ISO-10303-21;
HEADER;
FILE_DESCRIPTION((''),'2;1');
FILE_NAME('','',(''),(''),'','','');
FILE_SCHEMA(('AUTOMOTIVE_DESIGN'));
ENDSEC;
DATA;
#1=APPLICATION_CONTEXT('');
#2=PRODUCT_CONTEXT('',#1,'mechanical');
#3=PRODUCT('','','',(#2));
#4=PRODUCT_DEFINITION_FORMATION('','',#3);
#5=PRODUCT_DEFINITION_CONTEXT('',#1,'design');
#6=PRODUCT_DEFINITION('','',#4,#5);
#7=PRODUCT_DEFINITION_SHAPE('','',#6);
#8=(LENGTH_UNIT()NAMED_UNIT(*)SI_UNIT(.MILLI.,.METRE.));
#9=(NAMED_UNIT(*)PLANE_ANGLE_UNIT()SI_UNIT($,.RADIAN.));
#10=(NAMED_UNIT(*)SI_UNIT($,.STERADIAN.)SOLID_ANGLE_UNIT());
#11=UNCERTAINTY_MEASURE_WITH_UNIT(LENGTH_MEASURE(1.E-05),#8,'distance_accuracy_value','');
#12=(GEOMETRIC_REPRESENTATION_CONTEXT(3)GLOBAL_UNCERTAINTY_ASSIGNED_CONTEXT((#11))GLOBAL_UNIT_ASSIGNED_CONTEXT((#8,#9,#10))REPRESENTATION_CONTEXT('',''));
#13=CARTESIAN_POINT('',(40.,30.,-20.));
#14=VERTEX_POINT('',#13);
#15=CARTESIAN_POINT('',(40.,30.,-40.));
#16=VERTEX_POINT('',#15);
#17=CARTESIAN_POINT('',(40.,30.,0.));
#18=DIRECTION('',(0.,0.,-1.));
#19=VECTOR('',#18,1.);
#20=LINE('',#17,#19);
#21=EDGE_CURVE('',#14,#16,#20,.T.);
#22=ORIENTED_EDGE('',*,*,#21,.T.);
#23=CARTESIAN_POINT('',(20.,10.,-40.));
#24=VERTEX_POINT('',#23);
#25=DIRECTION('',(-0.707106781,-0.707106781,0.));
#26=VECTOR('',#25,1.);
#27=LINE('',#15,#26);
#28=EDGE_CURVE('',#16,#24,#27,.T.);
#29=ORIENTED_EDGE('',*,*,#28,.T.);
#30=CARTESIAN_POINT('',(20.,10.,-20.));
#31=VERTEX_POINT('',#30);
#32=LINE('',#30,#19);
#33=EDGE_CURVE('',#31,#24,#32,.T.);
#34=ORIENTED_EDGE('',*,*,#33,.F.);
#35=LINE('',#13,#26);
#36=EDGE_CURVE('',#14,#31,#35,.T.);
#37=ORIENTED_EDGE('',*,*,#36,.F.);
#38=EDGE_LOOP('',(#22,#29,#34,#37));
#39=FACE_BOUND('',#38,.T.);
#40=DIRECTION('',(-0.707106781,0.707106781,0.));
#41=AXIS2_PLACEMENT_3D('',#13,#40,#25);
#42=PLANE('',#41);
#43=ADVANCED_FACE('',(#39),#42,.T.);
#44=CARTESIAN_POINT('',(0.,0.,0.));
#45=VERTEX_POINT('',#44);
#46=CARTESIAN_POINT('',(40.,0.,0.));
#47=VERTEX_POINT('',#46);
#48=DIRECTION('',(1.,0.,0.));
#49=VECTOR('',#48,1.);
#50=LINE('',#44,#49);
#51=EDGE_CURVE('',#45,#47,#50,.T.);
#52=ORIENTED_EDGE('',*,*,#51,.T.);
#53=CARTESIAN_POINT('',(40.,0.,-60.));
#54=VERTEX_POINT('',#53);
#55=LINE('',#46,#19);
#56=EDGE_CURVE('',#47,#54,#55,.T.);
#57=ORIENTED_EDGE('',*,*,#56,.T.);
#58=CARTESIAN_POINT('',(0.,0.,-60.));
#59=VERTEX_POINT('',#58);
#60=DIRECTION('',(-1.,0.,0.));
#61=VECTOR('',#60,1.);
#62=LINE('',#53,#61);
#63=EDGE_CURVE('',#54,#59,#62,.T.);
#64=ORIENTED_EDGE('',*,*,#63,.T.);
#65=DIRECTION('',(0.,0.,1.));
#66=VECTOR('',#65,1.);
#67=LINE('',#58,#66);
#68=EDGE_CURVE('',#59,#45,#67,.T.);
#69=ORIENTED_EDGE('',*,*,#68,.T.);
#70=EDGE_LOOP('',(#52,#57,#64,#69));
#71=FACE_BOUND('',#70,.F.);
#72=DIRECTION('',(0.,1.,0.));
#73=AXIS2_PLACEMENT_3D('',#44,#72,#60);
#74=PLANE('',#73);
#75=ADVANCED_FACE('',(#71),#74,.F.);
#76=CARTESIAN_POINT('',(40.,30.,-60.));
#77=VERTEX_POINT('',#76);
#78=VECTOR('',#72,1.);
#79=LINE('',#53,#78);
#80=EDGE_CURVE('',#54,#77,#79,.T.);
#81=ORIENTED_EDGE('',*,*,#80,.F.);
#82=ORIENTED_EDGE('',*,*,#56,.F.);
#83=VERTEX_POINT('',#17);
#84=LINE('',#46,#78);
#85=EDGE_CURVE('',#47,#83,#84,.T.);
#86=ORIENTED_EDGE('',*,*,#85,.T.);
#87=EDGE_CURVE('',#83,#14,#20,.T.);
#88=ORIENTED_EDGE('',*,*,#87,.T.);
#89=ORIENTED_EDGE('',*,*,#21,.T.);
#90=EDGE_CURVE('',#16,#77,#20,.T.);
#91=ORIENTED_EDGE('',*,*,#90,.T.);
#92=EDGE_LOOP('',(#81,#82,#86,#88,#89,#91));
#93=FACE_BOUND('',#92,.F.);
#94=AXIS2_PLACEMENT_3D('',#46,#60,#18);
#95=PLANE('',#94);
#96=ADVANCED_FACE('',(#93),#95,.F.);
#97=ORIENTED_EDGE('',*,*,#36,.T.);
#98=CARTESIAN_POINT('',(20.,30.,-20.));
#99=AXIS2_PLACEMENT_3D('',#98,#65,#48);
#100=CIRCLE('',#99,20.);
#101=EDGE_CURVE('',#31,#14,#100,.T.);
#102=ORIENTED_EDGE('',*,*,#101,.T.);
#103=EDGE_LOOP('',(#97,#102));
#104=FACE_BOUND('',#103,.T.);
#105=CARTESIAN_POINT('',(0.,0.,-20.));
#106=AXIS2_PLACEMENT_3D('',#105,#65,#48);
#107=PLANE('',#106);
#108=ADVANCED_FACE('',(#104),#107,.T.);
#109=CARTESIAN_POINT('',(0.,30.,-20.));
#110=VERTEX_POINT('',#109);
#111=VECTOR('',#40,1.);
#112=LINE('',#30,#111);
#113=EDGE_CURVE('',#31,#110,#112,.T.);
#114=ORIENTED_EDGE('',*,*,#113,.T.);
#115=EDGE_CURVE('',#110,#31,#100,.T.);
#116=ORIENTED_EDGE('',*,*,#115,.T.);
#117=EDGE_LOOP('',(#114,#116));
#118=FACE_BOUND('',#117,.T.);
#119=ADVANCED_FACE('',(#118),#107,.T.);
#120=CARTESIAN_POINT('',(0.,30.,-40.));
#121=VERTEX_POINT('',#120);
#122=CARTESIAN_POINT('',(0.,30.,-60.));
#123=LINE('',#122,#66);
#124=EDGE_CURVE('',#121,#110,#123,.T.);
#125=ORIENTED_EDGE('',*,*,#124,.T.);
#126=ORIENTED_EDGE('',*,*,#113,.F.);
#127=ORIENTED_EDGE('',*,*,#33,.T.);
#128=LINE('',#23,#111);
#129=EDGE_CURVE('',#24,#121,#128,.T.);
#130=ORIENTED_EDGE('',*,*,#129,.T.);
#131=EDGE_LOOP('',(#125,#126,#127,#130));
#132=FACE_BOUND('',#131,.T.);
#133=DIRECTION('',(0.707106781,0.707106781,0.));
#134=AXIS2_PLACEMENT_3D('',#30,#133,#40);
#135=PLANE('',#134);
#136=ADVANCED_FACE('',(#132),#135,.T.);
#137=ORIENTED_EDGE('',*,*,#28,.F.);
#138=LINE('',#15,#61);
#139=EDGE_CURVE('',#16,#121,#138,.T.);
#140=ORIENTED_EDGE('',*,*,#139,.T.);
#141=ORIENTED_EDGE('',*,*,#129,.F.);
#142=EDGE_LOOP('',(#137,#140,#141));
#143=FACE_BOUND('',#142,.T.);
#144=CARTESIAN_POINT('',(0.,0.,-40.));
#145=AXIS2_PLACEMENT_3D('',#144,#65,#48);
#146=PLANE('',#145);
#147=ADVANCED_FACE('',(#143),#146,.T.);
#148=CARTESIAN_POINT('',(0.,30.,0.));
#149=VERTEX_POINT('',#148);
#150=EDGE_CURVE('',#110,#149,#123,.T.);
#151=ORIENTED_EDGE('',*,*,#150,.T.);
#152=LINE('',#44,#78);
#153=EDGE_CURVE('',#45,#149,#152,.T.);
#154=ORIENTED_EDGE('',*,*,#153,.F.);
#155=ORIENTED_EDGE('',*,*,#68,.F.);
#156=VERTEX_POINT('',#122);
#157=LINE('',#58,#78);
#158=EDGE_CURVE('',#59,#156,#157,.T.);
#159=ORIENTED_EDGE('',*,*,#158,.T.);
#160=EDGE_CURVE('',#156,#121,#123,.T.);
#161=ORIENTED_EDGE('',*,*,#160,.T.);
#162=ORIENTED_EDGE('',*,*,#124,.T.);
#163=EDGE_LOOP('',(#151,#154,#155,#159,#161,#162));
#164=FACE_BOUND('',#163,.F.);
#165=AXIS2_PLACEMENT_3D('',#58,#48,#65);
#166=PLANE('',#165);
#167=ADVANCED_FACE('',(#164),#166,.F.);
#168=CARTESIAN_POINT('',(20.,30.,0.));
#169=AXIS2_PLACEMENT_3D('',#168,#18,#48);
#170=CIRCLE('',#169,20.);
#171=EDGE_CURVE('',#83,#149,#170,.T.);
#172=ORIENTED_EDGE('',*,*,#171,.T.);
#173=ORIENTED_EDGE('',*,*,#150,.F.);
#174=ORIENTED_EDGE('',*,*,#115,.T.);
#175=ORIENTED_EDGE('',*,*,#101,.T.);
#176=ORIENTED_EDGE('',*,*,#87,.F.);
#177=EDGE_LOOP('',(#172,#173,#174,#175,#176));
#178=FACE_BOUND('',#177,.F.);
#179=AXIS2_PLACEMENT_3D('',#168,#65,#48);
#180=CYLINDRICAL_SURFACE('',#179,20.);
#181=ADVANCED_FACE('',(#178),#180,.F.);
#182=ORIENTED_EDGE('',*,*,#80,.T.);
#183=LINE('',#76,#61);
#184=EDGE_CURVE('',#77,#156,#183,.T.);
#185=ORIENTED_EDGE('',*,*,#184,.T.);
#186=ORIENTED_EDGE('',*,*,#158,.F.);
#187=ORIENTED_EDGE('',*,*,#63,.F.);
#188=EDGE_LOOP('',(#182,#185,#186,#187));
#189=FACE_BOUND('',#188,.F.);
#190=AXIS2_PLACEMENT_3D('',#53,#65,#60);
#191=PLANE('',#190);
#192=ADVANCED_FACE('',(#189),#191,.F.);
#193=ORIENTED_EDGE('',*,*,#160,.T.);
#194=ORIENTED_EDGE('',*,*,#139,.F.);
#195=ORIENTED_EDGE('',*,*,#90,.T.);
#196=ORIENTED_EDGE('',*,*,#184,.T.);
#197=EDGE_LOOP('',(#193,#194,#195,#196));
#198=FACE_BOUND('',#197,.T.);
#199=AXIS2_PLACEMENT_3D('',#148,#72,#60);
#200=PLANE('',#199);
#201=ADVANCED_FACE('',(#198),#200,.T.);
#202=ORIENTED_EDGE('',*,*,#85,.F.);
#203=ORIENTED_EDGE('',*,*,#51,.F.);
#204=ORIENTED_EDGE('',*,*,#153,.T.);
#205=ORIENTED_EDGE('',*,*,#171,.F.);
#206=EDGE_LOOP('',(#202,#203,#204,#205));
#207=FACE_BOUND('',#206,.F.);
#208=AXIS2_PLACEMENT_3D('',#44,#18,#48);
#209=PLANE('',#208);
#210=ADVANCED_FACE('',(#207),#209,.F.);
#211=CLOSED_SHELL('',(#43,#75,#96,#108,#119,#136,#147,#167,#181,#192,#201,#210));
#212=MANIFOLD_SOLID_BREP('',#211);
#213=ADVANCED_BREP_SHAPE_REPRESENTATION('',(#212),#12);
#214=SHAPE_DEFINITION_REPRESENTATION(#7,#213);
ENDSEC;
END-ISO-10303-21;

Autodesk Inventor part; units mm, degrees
ref_plane "YZ Plane" through (0, 0, 0) normal (1, 0, 0) x (0, 1, 0)
ref_plane "XZ Plane" through (0, 0, 0) normal (0, 1, 0) x (-1, 0, 0)
ref_plane "XY Plane" through (0, 0, 0) normal (0, 0, 1) x (1, 0, 0)
sketch "草圖1" plane through (0, 0, 0) normal (0, 1, 0) x (-1, 0, 0)
  line L0 (0, 0) -> (-40, 0)
  line L1 (-40, 0) -> (-40, -60)
  line L2 (-40, -60) -> (0, -60)
  line L3 (0, -60) -> (0, 0)
  dimension "d0" = 40
  dimension "d1" = 60
extrude "擠出1" add sketch "草圖1" along normal blind 30
sketch "草圖2" plane through (0, 0, 0) normal (0, 0, 1) x (1, 0, 0)
  line L0 (0, 30) -> (40, 30) projected
  circle A0 centre (20, 30) radius 20
  point P0 (0, 0)
extrude "擠出2" cut sketch "草圖2" against normal blind 20
sketch "草圖3" plane through (0, 0, -20) normal (0, 0, 1) x (1, 0, 0)
  arc A0 (0, 30) -> (40, 30) centre (20, 30) ccw projected
  line L0 (40, 30) -> (20, 10)
  line L1 (40, 30) -> (0, 30) projected
  line L2 (20, 10) -> (0, 30)
  line L3 (0, 30) -> (40, 30)
  point P0 (0, 0)
extrude "擠出3" cut sketch "草圖3" against normal blind 20 contours L1 L0 L2
properties part number "38"
